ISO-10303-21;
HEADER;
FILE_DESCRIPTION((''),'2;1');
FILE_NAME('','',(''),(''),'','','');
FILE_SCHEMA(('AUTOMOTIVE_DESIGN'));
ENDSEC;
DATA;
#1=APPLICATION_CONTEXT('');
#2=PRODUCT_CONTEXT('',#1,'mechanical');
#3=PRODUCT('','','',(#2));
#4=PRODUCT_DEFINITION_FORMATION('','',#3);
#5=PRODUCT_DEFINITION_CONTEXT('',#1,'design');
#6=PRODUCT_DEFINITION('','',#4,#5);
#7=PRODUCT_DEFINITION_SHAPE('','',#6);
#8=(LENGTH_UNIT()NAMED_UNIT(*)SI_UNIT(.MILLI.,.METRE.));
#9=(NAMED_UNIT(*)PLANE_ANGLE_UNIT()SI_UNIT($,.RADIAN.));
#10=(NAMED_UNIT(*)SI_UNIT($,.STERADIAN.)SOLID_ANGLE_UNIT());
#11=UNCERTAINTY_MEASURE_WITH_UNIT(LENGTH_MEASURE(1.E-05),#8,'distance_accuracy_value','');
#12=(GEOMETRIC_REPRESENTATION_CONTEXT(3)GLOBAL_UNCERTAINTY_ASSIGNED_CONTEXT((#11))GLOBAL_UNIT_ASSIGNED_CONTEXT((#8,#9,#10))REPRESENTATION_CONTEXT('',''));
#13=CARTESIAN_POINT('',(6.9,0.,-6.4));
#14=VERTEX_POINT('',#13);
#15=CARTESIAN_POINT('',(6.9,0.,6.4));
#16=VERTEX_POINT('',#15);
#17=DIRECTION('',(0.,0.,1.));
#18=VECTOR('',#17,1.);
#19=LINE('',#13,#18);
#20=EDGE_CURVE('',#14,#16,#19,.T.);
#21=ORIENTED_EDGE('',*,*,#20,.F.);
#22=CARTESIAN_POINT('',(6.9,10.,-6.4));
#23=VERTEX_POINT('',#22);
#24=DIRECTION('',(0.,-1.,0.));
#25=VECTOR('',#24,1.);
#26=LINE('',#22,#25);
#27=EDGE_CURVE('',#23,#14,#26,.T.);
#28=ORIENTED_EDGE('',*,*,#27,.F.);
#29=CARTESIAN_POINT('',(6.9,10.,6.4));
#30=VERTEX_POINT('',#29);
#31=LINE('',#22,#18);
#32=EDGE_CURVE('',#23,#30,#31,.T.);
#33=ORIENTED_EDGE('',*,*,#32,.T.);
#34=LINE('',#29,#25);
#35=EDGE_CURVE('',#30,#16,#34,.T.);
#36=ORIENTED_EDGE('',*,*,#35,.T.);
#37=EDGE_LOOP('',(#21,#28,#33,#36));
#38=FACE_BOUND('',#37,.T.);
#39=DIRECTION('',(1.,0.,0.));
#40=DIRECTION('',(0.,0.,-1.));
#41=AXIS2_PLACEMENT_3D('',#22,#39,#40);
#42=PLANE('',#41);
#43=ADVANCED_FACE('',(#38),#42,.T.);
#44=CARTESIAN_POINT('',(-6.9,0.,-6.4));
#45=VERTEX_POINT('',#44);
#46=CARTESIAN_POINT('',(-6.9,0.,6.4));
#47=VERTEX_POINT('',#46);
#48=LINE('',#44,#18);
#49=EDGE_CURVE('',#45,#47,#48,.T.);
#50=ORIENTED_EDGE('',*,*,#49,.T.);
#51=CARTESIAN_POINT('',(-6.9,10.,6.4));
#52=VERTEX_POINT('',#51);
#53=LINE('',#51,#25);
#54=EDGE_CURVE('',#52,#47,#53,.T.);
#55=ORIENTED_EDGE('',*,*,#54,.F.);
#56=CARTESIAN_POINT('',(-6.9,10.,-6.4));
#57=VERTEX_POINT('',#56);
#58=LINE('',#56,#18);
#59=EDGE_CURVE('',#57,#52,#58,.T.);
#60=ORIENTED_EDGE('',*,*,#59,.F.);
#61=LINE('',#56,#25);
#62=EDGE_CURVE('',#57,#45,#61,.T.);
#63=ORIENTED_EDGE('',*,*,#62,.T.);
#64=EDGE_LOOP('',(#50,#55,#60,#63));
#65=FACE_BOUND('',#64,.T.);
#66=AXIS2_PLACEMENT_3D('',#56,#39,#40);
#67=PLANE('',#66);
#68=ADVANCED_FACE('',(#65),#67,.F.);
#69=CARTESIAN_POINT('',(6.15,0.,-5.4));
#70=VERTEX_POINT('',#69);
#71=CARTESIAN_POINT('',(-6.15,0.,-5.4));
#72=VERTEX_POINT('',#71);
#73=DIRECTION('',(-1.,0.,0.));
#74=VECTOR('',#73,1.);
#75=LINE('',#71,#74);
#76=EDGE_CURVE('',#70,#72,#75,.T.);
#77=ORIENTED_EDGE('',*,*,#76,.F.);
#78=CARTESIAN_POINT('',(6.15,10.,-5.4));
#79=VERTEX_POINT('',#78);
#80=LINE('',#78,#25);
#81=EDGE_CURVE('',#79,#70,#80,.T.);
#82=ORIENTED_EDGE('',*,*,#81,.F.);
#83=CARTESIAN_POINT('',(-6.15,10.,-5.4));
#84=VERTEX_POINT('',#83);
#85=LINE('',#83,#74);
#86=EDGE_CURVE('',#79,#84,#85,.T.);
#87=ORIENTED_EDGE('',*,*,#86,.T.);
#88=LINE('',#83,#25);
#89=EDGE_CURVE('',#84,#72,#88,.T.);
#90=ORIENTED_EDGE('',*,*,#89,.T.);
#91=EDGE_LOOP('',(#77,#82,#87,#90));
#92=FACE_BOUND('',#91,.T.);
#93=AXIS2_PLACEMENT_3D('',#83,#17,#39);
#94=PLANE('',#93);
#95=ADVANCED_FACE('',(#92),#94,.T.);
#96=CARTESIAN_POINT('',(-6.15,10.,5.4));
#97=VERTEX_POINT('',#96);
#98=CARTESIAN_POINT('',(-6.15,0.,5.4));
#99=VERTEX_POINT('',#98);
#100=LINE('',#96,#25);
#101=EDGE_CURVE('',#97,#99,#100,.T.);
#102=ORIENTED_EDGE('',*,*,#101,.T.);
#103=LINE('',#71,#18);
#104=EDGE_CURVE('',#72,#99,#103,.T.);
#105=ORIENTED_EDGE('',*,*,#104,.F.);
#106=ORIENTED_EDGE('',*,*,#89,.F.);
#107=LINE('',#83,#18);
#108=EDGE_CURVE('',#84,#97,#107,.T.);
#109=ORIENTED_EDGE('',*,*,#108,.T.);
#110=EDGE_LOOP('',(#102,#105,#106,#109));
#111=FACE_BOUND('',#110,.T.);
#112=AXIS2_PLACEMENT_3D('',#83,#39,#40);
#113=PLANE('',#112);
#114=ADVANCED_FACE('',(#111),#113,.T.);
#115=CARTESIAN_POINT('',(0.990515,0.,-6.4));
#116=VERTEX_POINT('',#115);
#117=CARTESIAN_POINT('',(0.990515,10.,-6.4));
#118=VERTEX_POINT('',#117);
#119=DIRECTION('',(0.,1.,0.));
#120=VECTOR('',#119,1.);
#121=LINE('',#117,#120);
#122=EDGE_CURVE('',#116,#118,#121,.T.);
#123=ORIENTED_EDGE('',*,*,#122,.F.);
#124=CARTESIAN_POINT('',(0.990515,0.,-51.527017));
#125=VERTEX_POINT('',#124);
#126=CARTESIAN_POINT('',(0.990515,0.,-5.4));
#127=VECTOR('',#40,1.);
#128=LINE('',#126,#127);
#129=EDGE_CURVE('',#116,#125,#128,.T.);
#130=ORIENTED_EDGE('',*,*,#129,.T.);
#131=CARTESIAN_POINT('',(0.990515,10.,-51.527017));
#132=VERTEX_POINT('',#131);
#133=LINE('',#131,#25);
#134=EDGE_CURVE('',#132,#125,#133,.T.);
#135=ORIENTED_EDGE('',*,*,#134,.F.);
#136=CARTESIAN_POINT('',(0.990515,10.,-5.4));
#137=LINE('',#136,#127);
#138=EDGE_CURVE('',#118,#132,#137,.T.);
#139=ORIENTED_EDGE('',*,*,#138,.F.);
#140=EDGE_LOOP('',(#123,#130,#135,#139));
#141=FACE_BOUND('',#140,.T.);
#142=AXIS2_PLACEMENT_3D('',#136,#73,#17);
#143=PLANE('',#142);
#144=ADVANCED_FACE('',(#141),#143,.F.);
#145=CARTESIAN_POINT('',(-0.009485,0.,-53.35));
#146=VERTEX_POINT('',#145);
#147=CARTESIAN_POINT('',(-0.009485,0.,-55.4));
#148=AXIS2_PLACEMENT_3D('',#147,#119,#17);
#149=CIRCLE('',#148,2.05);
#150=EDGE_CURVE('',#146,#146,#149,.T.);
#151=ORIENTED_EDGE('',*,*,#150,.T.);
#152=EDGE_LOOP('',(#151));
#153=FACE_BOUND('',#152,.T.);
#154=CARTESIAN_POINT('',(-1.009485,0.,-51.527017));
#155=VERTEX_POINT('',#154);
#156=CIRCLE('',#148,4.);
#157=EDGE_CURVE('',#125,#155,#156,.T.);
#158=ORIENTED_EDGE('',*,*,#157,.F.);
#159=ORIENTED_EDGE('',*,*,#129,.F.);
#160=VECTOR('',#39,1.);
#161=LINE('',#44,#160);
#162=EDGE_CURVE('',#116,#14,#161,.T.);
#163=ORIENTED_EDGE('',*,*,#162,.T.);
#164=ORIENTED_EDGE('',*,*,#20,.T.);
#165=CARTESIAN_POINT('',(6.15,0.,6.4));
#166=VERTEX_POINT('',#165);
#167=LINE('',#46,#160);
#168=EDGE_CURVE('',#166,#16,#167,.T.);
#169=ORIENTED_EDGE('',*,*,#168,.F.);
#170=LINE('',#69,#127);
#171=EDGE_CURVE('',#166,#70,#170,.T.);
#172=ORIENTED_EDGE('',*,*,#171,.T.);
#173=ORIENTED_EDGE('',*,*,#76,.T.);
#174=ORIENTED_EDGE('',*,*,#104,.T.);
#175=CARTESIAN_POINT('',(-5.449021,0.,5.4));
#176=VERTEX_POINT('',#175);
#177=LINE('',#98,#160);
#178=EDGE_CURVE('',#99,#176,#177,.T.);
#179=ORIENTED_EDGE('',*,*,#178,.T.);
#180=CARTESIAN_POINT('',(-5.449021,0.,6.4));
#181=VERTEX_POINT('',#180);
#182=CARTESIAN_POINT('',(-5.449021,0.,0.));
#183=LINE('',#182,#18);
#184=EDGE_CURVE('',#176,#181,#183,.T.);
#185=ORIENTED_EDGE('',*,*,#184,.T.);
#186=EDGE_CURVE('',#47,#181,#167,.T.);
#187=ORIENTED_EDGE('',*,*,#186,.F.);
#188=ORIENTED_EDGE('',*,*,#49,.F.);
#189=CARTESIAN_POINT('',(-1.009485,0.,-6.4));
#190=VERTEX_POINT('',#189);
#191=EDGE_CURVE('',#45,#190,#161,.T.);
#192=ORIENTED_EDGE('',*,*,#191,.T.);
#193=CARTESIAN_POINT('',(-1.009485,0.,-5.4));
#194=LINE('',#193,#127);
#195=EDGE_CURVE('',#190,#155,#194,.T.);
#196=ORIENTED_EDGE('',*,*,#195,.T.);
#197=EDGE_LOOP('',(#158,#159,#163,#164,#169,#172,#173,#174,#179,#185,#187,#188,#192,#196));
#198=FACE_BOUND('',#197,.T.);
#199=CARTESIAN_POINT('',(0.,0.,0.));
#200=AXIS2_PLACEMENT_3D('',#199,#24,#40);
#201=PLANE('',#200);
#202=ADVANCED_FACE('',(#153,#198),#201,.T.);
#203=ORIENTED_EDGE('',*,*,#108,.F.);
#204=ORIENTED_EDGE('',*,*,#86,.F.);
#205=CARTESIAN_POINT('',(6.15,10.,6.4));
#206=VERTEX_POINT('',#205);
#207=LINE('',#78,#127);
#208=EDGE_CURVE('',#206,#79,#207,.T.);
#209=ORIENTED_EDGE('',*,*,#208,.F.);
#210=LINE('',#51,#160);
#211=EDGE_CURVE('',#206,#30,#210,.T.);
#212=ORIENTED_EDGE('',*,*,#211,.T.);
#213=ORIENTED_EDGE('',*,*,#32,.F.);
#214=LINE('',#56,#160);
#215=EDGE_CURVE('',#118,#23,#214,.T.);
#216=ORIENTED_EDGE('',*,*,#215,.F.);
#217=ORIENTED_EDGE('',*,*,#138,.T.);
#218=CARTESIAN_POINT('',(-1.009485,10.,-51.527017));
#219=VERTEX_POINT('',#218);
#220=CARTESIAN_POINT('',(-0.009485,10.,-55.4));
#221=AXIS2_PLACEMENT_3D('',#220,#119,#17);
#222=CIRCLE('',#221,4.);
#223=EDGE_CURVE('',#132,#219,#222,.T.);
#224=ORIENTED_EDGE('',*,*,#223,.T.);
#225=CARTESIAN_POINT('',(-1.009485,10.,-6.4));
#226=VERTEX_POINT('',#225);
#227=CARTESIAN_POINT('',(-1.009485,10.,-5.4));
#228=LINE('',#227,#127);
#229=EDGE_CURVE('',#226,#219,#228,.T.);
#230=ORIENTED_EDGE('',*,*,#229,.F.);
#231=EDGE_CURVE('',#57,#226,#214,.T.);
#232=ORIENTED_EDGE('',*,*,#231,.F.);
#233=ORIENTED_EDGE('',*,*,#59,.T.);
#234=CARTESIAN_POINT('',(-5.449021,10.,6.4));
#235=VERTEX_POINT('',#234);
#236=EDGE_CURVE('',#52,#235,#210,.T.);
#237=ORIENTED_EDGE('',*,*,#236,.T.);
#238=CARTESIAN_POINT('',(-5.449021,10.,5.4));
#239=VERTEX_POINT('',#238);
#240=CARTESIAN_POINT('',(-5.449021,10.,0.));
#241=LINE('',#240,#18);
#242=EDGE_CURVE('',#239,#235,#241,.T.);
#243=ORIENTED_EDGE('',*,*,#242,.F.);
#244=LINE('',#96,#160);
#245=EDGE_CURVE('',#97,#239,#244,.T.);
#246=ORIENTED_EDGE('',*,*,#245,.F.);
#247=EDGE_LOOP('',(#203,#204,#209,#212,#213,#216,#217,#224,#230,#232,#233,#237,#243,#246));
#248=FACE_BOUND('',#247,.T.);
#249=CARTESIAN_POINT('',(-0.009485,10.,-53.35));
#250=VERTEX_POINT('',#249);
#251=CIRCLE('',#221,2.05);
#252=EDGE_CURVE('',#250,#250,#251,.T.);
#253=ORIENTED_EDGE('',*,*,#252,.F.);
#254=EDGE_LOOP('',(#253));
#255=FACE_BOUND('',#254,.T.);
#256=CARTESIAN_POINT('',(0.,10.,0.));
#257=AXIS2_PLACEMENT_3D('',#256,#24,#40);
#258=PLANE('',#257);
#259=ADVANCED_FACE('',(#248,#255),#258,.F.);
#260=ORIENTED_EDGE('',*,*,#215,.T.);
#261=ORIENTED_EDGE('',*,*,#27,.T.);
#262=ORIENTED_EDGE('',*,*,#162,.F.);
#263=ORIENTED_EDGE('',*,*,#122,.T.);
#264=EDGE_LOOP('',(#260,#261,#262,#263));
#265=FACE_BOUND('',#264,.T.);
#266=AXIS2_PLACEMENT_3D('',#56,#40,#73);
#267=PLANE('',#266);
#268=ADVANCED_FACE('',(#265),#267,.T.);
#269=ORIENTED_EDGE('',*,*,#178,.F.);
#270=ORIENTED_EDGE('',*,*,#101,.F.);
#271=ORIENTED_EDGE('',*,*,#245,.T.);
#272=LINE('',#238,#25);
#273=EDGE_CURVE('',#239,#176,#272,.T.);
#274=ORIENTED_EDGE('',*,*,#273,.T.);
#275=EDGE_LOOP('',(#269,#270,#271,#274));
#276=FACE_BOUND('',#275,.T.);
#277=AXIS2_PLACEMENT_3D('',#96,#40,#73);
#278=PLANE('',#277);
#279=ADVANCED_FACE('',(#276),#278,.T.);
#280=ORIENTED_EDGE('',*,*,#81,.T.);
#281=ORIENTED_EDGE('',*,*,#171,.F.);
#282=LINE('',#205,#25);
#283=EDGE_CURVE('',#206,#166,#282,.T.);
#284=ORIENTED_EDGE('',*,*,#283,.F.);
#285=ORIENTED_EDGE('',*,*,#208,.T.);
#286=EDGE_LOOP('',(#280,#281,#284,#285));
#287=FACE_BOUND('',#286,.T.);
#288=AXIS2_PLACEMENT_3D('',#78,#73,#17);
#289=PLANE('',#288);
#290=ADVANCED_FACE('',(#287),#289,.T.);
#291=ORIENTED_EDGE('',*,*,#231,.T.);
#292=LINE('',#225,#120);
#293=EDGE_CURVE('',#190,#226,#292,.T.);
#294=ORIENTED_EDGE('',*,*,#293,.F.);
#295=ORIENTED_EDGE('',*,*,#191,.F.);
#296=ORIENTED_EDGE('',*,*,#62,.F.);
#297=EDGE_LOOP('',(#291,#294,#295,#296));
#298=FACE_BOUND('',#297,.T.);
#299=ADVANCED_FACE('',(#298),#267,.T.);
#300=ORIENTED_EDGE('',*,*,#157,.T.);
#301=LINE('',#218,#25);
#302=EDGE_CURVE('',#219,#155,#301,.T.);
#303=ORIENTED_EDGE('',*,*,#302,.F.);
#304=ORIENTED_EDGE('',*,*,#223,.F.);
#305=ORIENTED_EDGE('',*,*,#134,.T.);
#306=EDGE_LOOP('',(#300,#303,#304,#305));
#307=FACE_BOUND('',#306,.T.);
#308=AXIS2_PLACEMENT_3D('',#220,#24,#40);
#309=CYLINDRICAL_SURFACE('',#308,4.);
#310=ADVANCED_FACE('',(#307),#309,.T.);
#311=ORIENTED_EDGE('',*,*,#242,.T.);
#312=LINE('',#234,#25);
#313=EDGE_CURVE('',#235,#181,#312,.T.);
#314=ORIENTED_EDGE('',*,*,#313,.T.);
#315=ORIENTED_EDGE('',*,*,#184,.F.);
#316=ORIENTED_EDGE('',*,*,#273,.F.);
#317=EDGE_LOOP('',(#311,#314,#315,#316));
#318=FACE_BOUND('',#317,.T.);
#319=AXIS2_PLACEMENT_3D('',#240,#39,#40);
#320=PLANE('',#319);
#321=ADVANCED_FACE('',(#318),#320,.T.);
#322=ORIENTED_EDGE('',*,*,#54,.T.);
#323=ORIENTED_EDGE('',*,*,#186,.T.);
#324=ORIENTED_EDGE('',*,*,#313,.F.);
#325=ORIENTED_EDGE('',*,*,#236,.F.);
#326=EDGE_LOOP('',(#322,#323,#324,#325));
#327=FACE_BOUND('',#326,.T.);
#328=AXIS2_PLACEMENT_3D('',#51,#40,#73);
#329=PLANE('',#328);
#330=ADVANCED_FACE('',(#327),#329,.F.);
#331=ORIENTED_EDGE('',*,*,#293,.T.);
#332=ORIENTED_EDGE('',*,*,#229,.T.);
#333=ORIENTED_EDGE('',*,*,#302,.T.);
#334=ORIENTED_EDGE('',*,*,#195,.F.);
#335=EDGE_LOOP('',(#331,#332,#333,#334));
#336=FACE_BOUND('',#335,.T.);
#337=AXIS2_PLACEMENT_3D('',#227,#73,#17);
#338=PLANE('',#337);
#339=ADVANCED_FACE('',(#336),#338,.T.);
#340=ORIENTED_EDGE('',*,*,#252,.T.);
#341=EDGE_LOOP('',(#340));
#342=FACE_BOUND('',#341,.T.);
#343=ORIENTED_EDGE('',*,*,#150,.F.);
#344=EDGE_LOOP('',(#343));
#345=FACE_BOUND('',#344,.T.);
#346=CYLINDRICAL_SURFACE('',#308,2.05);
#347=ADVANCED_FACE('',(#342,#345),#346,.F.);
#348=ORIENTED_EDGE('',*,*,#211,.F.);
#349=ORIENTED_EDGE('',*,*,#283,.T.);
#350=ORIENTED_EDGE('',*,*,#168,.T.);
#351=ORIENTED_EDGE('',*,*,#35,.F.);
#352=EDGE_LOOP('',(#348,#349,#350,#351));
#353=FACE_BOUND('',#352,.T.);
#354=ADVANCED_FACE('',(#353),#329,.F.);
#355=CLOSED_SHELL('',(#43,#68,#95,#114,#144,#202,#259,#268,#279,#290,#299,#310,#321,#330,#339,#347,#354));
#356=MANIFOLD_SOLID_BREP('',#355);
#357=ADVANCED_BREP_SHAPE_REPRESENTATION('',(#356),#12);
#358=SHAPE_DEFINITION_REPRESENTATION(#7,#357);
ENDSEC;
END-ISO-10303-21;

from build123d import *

# Parameters (mm, degrees)
SKETCH3_W           = 13.8
SKETCH3_H           = 12.8
BOSS_EXTRUDE2_DEPTH = 10
SKETCH4_W           = 12.3
SKETCH4_H           = 10.8
CUT_EXTRUDE1_DEPTH  = 10
SKETCH5_W           = 11.5990209
SKETCH5_H           = 6.4
CUT_EXTRUDE2_DEPTH  = 10
SKETCH10_W          = 2
SKETCH10_H          = 50
BOSS_EXTRUDE5_DEPTH = 10
SKETCH12_R          = 4
BOSS_EXTRUDE6_DEPTH = 10
SKETCH13_R          = 2.05
CUT_EXTRUDE4_DEPTH  = 10


with BuildPart() as part:
    # Sketch3 → Boss-Extrude2 (new body)
    with BuildSketch(Plane(origin=(0, 0, 0), x_dir=(1, 0, 0), z_dir=(0, 1, 0))):
        Rectangle(SKETCH3_W, SKETCH3_H)
    extrude(amount=BOSS_EXTRUDE2_DEPTH)

    # Sketch4 → Cut-Extrude1 (cut)
    with BuildSketch(Plane(origin=(0, 0, 0), x_dir=(1, 0, 0), z_dir=(0, 1, 0))):
        Rectangle(SKETCH4_W, SKETCH4_H)
    extrude(amount=CUT_EXTRUDE1_DEPTH, mode=Mode.SUBTRACT)

    # Sketch5 → Cut-Extrude2 (cut)
    with BuildSketch(Plane(origin=(0, 0, 0), x_dir=(1, 0, 0), z_dir=(0, 1, 0))):
        with Locations((0.35048955, -3.2)):
            Rectangle(SKETCH5_W, SKETCH5_H)
    extrude(amount=CUT_EXTRUDE2_DEPTH, mode=Mode.SUBTRACT)

    # Sketch10 → Boss-Extrude5 (add)
    with BuildSketch(Plane(origin=(0, 0, 0), x_dir=(1, 0, 0), z_dir=(0, 1, 0))):
        with Locations((-0.009485453, 30.4)):
            Rectangle(SKETCH10_W, SKETCH10_H)
    extrude(amount=BOSS_EXTRUDE5_DEPTH)

    # Sketch12 → Boss-Extrude6 (add)
    with BuildSketch(Plane(origin=(0, 0, 0), x_dir=(1, 0, 0), z_dir=(0, 1, 0))):
        with Locations((-0.009485453, 55.4)):
            Circle(SKETCH12_R)
    extrude(amount=BOSS_EXTRUDE6_DEPTH)

    # Sketch13 → Cut-Extrude4 (cut)
    with BuildSketch(Plane(origin=(0, 0, 0), x_dir=(1, 0, 0), z_dir=(0, 1, 0))):
        with Locations(Location((-0.009485453, 55.4, 0), (0, 0, 270))):
            Circle(SKETCH13_R)
    extrude(amount=CUT_EXTRUDE4_DEPTH, mode=Mode.SUBTRACT)


solid = part.part
